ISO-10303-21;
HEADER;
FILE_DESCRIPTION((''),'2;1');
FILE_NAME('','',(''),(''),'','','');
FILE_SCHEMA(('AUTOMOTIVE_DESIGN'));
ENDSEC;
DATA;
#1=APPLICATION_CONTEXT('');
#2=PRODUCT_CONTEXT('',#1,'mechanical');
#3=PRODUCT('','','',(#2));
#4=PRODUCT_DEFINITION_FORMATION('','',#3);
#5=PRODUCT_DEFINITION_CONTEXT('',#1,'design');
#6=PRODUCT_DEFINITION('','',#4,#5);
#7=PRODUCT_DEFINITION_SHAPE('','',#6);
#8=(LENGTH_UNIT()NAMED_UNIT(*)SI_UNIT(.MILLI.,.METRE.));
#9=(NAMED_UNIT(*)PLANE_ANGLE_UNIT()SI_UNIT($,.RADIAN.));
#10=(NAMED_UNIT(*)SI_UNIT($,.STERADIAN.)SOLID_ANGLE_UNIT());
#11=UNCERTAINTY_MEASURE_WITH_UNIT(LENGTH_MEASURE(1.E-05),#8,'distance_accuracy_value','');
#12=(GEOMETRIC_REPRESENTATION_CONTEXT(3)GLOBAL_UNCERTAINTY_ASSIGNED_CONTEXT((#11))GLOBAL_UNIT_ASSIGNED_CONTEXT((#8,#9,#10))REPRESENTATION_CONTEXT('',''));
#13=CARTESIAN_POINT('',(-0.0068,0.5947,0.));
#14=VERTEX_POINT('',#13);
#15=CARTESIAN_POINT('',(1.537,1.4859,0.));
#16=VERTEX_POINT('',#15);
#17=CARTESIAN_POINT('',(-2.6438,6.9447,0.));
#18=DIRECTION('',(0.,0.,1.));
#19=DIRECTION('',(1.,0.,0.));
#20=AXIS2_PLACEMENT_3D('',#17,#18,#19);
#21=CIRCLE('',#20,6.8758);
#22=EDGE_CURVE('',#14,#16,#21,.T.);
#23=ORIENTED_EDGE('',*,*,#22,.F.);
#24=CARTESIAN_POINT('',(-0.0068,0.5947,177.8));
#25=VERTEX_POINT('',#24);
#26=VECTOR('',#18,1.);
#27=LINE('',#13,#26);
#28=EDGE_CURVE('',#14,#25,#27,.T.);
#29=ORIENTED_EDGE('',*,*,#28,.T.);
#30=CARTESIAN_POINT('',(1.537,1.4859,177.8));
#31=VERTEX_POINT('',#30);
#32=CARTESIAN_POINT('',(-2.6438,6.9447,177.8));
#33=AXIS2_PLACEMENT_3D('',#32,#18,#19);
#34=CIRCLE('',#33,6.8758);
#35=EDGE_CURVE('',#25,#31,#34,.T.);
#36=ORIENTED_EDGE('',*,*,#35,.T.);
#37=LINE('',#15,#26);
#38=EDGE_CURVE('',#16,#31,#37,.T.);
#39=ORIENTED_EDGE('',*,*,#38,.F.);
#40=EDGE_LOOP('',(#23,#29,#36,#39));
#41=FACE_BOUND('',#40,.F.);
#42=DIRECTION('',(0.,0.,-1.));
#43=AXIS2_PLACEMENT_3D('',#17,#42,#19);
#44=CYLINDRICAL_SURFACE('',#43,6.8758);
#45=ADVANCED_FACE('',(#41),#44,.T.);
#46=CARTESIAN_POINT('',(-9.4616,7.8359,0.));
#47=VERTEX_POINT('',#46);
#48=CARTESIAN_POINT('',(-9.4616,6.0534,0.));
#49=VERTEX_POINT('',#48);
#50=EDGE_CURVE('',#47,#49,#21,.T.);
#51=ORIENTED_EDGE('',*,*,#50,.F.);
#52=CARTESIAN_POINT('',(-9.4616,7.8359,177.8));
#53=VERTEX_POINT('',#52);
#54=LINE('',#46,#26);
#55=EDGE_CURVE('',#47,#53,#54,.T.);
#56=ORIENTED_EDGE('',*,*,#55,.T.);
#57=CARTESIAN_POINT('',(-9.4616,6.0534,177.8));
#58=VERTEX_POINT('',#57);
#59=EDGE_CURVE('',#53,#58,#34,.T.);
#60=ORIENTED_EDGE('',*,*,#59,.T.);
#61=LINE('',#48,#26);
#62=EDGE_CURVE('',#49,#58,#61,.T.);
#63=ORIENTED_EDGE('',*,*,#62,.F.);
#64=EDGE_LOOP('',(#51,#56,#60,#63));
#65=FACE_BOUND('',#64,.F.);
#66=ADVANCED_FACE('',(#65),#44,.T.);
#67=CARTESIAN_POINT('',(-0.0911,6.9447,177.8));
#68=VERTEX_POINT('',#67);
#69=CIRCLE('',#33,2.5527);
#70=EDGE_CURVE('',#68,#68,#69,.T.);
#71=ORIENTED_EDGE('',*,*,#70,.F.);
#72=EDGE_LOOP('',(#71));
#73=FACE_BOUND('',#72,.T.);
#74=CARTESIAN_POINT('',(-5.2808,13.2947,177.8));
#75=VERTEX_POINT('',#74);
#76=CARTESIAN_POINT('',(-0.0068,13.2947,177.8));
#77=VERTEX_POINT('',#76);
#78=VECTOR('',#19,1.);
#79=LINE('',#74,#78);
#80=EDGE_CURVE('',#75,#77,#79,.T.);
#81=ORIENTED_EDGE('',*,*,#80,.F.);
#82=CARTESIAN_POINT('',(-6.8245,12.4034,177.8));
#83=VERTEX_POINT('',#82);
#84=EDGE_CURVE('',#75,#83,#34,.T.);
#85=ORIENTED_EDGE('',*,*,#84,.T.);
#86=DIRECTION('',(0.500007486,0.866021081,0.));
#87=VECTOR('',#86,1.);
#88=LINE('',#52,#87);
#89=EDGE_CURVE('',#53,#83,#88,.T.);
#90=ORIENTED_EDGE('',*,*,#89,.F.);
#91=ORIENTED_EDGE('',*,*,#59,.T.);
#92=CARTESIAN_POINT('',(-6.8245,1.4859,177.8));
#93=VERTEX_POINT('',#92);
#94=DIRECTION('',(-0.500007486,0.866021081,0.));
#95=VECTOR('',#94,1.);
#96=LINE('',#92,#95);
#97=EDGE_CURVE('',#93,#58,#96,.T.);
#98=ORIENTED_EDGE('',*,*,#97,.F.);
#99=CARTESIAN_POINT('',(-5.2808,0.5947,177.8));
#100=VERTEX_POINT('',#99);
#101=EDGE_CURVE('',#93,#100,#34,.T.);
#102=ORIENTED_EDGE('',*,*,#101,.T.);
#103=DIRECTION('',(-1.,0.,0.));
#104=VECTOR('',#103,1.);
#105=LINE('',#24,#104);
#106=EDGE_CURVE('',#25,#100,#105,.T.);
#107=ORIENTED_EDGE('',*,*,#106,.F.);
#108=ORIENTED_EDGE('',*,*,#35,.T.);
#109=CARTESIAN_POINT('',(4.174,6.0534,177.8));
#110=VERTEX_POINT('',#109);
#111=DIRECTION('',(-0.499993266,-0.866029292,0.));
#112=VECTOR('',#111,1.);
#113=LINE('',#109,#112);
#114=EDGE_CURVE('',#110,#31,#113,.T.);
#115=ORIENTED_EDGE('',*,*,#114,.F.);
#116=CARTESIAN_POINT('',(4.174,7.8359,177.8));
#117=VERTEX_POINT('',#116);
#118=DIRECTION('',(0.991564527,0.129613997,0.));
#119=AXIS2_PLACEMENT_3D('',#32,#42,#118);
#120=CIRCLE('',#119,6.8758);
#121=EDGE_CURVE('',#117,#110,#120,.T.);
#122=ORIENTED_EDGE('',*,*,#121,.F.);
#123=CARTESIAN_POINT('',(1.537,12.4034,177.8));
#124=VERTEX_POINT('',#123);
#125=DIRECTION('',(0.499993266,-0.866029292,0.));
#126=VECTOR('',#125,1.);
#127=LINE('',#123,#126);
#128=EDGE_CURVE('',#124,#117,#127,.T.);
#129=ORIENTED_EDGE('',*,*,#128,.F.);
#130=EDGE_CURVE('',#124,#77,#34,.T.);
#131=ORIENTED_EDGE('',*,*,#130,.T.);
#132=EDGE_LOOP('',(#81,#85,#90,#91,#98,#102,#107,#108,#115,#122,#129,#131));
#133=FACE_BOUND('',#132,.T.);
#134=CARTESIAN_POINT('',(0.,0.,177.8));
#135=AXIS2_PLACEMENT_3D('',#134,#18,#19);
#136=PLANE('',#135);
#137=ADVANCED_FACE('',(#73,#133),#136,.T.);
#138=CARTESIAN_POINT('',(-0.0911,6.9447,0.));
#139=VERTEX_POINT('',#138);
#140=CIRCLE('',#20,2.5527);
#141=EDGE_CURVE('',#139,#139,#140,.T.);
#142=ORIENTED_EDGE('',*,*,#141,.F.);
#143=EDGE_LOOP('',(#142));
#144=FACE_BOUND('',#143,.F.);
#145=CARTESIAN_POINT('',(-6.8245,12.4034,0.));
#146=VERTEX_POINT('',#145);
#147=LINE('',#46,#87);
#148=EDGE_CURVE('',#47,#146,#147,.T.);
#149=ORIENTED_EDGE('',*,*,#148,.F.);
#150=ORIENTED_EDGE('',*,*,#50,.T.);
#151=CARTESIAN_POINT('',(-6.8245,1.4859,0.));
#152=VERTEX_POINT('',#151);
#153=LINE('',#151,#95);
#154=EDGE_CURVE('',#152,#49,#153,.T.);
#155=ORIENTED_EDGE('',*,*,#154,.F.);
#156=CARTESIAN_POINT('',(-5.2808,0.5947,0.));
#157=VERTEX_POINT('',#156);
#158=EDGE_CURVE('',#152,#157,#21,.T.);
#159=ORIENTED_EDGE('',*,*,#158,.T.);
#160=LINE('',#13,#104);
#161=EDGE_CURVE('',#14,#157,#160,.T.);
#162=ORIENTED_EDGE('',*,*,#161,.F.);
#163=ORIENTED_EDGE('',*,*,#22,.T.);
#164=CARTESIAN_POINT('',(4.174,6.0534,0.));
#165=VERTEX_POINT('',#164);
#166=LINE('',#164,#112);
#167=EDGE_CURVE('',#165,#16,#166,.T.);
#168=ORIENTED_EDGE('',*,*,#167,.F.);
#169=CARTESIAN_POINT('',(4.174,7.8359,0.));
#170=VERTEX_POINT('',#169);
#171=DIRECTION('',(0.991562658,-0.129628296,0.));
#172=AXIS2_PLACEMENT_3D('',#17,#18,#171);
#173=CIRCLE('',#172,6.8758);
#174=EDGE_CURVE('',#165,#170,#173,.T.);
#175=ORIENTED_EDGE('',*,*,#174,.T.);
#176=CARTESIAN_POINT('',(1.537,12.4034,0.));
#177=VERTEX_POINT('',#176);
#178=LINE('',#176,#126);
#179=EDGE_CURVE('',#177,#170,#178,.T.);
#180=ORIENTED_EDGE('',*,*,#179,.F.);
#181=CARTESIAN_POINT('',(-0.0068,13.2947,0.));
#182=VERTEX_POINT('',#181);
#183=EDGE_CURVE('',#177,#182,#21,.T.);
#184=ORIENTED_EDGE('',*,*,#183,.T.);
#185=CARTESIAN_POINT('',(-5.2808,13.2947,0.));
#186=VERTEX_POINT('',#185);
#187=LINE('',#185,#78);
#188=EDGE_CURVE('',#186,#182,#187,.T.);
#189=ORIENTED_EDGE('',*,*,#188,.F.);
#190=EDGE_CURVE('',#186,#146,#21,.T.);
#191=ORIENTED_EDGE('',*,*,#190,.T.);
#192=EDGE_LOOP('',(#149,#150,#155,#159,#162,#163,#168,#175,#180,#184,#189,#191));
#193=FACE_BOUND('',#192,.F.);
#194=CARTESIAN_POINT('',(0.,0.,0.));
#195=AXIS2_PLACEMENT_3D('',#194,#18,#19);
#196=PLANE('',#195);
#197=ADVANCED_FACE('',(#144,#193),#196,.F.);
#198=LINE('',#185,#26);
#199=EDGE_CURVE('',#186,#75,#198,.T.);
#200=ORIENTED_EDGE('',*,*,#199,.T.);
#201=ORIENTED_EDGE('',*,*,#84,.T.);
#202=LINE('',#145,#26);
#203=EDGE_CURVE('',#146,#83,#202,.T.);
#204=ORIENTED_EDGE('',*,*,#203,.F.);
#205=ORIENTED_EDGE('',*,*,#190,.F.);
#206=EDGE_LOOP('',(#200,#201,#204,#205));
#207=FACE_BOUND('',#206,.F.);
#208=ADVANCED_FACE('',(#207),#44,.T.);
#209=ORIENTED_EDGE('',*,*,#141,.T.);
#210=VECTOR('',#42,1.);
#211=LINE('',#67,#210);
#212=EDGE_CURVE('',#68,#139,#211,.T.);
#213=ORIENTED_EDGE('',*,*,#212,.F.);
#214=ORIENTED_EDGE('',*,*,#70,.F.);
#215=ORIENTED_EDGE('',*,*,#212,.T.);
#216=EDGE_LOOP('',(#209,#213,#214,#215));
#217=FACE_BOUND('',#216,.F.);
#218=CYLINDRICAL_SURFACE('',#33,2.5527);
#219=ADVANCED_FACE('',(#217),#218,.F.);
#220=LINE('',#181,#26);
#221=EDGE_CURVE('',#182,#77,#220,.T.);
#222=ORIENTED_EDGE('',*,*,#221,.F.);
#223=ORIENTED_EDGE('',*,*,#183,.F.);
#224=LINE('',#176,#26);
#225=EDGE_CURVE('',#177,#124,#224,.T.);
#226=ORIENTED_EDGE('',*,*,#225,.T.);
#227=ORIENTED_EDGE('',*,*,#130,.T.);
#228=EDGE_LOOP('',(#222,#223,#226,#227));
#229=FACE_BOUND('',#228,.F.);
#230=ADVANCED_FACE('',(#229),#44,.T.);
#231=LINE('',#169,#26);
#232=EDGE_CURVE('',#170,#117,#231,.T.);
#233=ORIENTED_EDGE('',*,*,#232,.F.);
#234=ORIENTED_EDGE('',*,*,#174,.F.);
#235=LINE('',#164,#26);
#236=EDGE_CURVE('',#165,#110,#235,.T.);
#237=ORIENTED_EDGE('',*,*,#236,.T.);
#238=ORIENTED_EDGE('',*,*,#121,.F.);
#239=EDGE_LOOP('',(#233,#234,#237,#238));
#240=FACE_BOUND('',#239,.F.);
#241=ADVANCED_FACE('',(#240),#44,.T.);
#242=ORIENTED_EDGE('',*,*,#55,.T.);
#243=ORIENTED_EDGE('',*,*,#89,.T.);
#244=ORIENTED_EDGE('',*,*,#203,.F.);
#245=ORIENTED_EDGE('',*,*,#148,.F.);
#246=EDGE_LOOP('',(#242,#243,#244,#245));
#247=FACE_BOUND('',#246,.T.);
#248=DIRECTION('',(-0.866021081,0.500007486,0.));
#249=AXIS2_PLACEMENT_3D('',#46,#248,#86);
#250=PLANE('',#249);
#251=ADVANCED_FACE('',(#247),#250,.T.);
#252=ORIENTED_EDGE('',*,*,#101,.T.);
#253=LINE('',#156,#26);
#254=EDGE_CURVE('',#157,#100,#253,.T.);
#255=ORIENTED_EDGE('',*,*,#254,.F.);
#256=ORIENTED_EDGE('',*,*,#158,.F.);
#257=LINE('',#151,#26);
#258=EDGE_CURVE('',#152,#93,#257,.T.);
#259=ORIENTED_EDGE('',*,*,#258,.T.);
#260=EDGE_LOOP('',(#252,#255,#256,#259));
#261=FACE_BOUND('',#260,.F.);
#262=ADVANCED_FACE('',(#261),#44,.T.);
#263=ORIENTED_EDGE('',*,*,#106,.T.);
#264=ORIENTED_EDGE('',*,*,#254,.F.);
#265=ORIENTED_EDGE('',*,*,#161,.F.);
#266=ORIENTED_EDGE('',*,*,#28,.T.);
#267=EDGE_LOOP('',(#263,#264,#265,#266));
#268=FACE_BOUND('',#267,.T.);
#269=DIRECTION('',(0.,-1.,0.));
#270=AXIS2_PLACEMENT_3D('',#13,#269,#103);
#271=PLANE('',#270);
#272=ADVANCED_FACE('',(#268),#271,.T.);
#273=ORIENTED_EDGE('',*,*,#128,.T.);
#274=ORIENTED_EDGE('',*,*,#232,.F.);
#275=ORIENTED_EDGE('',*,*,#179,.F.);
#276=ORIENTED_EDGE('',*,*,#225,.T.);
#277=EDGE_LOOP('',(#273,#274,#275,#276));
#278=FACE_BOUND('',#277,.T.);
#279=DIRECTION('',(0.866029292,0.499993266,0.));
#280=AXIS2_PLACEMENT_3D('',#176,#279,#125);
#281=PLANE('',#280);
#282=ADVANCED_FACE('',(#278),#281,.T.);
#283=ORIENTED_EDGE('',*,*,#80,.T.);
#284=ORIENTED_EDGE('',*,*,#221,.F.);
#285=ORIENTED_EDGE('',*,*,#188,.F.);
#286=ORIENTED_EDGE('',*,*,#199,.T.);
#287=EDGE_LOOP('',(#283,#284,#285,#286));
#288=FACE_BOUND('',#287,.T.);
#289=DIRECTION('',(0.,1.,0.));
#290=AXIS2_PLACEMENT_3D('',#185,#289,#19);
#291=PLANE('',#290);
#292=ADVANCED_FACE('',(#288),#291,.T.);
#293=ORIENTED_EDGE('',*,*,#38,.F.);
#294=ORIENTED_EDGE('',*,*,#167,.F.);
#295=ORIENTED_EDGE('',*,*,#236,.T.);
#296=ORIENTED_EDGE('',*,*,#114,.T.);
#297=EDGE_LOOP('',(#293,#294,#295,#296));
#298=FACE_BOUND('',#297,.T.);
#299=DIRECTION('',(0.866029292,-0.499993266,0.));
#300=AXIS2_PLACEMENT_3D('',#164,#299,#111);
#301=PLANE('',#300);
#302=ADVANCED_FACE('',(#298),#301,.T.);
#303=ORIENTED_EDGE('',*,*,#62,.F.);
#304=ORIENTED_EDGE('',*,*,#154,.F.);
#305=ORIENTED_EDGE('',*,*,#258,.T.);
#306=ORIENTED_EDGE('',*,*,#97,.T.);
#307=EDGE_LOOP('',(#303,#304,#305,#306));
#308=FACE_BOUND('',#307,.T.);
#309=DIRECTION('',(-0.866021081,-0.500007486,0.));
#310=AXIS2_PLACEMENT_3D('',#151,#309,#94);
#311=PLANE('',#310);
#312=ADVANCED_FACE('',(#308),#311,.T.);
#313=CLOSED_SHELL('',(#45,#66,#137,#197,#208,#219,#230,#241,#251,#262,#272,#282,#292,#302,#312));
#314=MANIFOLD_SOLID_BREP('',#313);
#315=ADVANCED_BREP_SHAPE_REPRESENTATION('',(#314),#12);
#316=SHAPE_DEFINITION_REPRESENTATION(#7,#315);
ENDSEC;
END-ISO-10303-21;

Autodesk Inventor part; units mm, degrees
ref_plane "YZ Plane" through (0, 0, 0) normal (1, 0, 0) x (0, 1, 0)
ref_plane "XZ Plane" through (0, 0, 0) normal (0, 1, 0) x (-1, 0, 0)
ref_plane "XY Plane" through (0, 0, 0) normal (0, 0, 1) x (1, 0, 0)
sketch "Sketch1" plane through (0, 0, 0) normal (0, 0, 1) x (1, 0, 0)
  circle A0 centre (-2.6438, 6.9447) radius 6.8758
  line L0 (-9.4616, 7.8359) -> (-6.8245, 12.4034)
  line L1 (-6.8245, 1.4859) -> (-9.4616, 6.0534)
  line L2 (-0.0068, 0.5947) -> (-5.2808, 0.5947)
  line L3 (4.174, 6.0534) -> (1.537, 1.4859)
  line L4 (1.537, 12.4034) -> (4.174, 7.8359)
  line L5 (-5.2808, 13.2947) -> (-0.0068, 13.2947)
  point P0 (0, 0)
  point P1 (1.537, 1.4859)
  dimension "d0" = 13.7516
  dimension "d4" = 360
extrude "Extrusion1" add sketch "Sketch1" along normal blind 177.8 contours A0 L3 L2 L1 L0 L5 L4
sketch "Sketch2" plane through (0, 0, 177.8) normal (0, 0, 1) x (1, 0, 0)
  circle A0 centre (-2.6438, 6.9447) radius 2.5527
  line L0 (-5.2808, 0.5947) -> (-0.0068, 0.5947) projected
  line L1 (-2.6438, 6.9447) -> (-5.2808, 0.5947) construction
  line L2 (-2.6438, 6.9447) -> (-0.0068, 0.5947) construction
  point P0 (0, 0)
  dimension "d8" = 5.1054
  dimension "d9" = 6.35
extrude "Extrusion2" cut sketch "Sketch2" against normal blind 177.8
equation "\"d6\" = d5"
equation "\"d10\" = d5"
equation "\"d5\" = 177.8"
properties part number "Intake Compliant Side (Thunder Hex)"
